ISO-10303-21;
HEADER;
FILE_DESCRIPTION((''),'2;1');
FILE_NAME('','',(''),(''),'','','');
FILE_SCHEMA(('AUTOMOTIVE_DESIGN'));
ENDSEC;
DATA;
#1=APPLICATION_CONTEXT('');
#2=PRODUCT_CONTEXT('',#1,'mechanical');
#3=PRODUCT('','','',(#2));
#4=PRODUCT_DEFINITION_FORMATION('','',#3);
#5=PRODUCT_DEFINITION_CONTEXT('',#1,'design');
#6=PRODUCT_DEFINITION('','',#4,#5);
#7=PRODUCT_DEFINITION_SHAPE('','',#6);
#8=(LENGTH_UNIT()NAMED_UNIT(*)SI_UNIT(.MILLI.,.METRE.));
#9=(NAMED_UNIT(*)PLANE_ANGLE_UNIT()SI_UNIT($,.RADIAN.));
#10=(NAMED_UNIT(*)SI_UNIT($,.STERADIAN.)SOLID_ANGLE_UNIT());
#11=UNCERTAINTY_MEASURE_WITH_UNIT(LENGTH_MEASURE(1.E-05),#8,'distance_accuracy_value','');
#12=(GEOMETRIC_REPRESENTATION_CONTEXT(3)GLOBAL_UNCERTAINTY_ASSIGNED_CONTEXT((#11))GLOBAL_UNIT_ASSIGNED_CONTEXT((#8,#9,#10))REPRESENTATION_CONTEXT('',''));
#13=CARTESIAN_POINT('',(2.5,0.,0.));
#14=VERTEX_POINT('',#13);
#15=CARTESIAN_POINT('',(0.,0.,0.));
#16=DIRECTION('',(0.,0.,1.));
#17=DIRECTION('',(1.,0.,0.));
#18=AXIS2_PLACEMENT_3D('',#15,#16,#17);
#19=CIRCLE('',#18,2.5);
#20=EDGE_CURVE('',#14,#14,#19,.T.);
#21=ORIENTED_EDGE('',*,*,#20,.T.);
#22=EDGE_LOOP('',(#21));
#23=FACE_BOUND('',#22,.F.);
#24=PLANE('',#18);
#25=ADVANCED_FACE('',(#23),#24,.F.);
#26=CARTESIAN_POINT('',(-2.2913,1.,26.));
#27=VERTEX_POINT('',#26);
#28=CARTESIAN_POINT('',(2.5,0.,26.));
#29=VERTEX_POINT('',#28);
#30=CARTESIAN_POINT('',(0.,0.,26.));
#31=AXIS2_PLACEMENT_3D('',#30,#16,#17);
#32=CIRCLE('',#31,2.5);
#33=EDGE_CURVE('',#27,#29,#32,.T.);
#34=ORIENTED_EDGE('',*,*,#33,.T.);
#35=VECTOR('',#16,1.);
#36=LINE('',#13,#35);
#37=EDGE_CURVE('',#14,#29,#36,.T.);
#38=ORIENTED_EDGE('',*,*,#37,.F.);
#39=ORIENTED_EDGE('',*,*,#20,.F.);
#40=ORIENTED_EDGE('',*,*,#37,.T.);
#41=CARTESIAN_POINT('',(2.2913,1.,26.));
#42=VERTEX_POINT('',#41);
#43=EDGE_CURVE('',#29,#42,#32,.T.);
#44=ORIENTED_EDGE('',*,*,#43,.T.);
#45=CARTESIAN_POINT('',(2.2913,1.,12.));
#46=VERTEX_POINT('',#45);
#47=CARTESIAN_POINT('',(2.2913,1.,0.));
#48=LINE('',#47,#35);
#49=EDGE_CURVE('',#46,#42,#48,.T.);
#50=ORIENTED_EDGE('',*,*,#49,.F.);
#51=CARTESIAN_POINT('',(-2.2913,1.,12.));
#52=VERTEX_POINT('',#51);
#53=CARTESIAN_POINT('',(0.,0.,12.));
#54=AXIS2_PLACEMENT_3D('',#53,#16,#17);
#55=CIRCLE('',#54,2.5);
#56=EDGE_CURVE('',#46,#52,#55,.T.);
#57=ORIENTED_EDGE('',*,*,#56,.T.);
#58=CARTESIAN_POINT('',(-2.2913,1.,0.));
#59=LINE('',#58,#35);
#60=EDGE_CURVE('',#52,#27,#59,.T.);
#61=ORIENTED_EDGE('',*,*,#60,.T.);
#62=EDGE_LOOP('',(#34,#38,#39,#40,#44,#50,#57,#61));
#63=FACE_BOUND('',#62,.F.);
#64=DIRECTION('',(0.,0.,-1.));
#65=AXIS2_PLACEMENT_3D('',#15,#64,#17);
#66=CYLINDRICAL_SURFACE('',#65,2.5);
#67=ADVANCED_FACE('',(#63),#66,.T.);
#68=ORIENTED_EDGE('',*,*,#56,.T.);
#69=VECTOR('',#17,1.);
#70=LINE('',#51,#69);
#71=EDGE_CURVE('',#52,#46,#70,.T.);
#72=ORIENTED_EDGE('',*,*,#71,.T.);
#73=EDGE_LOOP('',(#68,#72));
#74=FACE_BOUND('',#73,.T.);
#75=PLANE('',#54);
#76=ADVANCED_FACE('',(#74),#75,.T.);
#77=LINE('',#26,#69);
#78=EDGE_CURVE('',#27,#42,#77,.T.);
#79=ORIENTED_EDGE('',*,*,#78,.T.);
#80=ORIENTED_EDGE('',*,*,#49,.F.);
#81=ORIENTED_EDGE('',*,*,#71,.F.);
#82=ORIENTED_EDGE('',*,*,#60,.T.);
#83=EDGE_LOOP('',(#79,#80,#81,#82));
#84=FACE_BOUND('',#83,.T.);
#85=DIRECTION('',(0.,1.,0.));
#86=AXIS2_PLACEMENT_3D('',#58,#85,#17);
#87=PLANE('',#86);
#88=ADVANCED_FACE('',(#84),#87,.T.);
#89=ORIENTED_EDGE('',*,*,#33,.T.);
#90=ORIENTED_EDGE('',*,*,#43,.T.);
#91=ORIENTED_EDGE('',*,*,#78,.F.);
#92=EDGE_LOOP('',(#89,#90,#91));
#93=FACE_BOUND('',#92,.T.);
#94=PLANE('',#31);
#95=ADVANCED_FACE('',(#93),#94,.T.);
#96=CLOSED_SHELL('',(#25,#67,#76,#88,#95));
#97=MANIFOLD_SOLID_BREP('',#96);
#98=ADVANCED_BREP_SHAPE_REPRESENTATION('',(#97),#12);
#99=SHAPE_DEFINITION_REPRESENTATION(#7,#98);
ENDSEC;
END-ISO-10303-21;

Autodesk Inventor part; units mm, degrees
ref_plane "YZ Plane" through (0, 0, 0) normal (1, 0, 0) x (0, 1, 0)
ref_plane "XZ Plane" through (0, 0, 0) normal (0, 1, 0) x (-1, 0, 0)
ref_plane "XY Plane" through (0, 0, 0) normal (0, 0, 1) x (1, 0, 0)
sketch "Sketch1" plane through (0, 0, 0) normal (0, 0, 1) x (1, 0, 0)
  circle A0 centre (0, 0) radius 2.5
  line L0 (-2.2913, 1) -> (2.2913, 1)
  dimension "d0" = 5
  dimension "d1" = 1
extrude "Extrusion1" add sketch "Sketch1" along normal blind 26 contours A0 L0 picked at (0.9904, -1.0234)
extrude "Extrusion2" add sketch "Sketch1" along normal blind 12 contours L0 A0 picked at (0.6667, 1.1666)
properties part number "eje steper"
